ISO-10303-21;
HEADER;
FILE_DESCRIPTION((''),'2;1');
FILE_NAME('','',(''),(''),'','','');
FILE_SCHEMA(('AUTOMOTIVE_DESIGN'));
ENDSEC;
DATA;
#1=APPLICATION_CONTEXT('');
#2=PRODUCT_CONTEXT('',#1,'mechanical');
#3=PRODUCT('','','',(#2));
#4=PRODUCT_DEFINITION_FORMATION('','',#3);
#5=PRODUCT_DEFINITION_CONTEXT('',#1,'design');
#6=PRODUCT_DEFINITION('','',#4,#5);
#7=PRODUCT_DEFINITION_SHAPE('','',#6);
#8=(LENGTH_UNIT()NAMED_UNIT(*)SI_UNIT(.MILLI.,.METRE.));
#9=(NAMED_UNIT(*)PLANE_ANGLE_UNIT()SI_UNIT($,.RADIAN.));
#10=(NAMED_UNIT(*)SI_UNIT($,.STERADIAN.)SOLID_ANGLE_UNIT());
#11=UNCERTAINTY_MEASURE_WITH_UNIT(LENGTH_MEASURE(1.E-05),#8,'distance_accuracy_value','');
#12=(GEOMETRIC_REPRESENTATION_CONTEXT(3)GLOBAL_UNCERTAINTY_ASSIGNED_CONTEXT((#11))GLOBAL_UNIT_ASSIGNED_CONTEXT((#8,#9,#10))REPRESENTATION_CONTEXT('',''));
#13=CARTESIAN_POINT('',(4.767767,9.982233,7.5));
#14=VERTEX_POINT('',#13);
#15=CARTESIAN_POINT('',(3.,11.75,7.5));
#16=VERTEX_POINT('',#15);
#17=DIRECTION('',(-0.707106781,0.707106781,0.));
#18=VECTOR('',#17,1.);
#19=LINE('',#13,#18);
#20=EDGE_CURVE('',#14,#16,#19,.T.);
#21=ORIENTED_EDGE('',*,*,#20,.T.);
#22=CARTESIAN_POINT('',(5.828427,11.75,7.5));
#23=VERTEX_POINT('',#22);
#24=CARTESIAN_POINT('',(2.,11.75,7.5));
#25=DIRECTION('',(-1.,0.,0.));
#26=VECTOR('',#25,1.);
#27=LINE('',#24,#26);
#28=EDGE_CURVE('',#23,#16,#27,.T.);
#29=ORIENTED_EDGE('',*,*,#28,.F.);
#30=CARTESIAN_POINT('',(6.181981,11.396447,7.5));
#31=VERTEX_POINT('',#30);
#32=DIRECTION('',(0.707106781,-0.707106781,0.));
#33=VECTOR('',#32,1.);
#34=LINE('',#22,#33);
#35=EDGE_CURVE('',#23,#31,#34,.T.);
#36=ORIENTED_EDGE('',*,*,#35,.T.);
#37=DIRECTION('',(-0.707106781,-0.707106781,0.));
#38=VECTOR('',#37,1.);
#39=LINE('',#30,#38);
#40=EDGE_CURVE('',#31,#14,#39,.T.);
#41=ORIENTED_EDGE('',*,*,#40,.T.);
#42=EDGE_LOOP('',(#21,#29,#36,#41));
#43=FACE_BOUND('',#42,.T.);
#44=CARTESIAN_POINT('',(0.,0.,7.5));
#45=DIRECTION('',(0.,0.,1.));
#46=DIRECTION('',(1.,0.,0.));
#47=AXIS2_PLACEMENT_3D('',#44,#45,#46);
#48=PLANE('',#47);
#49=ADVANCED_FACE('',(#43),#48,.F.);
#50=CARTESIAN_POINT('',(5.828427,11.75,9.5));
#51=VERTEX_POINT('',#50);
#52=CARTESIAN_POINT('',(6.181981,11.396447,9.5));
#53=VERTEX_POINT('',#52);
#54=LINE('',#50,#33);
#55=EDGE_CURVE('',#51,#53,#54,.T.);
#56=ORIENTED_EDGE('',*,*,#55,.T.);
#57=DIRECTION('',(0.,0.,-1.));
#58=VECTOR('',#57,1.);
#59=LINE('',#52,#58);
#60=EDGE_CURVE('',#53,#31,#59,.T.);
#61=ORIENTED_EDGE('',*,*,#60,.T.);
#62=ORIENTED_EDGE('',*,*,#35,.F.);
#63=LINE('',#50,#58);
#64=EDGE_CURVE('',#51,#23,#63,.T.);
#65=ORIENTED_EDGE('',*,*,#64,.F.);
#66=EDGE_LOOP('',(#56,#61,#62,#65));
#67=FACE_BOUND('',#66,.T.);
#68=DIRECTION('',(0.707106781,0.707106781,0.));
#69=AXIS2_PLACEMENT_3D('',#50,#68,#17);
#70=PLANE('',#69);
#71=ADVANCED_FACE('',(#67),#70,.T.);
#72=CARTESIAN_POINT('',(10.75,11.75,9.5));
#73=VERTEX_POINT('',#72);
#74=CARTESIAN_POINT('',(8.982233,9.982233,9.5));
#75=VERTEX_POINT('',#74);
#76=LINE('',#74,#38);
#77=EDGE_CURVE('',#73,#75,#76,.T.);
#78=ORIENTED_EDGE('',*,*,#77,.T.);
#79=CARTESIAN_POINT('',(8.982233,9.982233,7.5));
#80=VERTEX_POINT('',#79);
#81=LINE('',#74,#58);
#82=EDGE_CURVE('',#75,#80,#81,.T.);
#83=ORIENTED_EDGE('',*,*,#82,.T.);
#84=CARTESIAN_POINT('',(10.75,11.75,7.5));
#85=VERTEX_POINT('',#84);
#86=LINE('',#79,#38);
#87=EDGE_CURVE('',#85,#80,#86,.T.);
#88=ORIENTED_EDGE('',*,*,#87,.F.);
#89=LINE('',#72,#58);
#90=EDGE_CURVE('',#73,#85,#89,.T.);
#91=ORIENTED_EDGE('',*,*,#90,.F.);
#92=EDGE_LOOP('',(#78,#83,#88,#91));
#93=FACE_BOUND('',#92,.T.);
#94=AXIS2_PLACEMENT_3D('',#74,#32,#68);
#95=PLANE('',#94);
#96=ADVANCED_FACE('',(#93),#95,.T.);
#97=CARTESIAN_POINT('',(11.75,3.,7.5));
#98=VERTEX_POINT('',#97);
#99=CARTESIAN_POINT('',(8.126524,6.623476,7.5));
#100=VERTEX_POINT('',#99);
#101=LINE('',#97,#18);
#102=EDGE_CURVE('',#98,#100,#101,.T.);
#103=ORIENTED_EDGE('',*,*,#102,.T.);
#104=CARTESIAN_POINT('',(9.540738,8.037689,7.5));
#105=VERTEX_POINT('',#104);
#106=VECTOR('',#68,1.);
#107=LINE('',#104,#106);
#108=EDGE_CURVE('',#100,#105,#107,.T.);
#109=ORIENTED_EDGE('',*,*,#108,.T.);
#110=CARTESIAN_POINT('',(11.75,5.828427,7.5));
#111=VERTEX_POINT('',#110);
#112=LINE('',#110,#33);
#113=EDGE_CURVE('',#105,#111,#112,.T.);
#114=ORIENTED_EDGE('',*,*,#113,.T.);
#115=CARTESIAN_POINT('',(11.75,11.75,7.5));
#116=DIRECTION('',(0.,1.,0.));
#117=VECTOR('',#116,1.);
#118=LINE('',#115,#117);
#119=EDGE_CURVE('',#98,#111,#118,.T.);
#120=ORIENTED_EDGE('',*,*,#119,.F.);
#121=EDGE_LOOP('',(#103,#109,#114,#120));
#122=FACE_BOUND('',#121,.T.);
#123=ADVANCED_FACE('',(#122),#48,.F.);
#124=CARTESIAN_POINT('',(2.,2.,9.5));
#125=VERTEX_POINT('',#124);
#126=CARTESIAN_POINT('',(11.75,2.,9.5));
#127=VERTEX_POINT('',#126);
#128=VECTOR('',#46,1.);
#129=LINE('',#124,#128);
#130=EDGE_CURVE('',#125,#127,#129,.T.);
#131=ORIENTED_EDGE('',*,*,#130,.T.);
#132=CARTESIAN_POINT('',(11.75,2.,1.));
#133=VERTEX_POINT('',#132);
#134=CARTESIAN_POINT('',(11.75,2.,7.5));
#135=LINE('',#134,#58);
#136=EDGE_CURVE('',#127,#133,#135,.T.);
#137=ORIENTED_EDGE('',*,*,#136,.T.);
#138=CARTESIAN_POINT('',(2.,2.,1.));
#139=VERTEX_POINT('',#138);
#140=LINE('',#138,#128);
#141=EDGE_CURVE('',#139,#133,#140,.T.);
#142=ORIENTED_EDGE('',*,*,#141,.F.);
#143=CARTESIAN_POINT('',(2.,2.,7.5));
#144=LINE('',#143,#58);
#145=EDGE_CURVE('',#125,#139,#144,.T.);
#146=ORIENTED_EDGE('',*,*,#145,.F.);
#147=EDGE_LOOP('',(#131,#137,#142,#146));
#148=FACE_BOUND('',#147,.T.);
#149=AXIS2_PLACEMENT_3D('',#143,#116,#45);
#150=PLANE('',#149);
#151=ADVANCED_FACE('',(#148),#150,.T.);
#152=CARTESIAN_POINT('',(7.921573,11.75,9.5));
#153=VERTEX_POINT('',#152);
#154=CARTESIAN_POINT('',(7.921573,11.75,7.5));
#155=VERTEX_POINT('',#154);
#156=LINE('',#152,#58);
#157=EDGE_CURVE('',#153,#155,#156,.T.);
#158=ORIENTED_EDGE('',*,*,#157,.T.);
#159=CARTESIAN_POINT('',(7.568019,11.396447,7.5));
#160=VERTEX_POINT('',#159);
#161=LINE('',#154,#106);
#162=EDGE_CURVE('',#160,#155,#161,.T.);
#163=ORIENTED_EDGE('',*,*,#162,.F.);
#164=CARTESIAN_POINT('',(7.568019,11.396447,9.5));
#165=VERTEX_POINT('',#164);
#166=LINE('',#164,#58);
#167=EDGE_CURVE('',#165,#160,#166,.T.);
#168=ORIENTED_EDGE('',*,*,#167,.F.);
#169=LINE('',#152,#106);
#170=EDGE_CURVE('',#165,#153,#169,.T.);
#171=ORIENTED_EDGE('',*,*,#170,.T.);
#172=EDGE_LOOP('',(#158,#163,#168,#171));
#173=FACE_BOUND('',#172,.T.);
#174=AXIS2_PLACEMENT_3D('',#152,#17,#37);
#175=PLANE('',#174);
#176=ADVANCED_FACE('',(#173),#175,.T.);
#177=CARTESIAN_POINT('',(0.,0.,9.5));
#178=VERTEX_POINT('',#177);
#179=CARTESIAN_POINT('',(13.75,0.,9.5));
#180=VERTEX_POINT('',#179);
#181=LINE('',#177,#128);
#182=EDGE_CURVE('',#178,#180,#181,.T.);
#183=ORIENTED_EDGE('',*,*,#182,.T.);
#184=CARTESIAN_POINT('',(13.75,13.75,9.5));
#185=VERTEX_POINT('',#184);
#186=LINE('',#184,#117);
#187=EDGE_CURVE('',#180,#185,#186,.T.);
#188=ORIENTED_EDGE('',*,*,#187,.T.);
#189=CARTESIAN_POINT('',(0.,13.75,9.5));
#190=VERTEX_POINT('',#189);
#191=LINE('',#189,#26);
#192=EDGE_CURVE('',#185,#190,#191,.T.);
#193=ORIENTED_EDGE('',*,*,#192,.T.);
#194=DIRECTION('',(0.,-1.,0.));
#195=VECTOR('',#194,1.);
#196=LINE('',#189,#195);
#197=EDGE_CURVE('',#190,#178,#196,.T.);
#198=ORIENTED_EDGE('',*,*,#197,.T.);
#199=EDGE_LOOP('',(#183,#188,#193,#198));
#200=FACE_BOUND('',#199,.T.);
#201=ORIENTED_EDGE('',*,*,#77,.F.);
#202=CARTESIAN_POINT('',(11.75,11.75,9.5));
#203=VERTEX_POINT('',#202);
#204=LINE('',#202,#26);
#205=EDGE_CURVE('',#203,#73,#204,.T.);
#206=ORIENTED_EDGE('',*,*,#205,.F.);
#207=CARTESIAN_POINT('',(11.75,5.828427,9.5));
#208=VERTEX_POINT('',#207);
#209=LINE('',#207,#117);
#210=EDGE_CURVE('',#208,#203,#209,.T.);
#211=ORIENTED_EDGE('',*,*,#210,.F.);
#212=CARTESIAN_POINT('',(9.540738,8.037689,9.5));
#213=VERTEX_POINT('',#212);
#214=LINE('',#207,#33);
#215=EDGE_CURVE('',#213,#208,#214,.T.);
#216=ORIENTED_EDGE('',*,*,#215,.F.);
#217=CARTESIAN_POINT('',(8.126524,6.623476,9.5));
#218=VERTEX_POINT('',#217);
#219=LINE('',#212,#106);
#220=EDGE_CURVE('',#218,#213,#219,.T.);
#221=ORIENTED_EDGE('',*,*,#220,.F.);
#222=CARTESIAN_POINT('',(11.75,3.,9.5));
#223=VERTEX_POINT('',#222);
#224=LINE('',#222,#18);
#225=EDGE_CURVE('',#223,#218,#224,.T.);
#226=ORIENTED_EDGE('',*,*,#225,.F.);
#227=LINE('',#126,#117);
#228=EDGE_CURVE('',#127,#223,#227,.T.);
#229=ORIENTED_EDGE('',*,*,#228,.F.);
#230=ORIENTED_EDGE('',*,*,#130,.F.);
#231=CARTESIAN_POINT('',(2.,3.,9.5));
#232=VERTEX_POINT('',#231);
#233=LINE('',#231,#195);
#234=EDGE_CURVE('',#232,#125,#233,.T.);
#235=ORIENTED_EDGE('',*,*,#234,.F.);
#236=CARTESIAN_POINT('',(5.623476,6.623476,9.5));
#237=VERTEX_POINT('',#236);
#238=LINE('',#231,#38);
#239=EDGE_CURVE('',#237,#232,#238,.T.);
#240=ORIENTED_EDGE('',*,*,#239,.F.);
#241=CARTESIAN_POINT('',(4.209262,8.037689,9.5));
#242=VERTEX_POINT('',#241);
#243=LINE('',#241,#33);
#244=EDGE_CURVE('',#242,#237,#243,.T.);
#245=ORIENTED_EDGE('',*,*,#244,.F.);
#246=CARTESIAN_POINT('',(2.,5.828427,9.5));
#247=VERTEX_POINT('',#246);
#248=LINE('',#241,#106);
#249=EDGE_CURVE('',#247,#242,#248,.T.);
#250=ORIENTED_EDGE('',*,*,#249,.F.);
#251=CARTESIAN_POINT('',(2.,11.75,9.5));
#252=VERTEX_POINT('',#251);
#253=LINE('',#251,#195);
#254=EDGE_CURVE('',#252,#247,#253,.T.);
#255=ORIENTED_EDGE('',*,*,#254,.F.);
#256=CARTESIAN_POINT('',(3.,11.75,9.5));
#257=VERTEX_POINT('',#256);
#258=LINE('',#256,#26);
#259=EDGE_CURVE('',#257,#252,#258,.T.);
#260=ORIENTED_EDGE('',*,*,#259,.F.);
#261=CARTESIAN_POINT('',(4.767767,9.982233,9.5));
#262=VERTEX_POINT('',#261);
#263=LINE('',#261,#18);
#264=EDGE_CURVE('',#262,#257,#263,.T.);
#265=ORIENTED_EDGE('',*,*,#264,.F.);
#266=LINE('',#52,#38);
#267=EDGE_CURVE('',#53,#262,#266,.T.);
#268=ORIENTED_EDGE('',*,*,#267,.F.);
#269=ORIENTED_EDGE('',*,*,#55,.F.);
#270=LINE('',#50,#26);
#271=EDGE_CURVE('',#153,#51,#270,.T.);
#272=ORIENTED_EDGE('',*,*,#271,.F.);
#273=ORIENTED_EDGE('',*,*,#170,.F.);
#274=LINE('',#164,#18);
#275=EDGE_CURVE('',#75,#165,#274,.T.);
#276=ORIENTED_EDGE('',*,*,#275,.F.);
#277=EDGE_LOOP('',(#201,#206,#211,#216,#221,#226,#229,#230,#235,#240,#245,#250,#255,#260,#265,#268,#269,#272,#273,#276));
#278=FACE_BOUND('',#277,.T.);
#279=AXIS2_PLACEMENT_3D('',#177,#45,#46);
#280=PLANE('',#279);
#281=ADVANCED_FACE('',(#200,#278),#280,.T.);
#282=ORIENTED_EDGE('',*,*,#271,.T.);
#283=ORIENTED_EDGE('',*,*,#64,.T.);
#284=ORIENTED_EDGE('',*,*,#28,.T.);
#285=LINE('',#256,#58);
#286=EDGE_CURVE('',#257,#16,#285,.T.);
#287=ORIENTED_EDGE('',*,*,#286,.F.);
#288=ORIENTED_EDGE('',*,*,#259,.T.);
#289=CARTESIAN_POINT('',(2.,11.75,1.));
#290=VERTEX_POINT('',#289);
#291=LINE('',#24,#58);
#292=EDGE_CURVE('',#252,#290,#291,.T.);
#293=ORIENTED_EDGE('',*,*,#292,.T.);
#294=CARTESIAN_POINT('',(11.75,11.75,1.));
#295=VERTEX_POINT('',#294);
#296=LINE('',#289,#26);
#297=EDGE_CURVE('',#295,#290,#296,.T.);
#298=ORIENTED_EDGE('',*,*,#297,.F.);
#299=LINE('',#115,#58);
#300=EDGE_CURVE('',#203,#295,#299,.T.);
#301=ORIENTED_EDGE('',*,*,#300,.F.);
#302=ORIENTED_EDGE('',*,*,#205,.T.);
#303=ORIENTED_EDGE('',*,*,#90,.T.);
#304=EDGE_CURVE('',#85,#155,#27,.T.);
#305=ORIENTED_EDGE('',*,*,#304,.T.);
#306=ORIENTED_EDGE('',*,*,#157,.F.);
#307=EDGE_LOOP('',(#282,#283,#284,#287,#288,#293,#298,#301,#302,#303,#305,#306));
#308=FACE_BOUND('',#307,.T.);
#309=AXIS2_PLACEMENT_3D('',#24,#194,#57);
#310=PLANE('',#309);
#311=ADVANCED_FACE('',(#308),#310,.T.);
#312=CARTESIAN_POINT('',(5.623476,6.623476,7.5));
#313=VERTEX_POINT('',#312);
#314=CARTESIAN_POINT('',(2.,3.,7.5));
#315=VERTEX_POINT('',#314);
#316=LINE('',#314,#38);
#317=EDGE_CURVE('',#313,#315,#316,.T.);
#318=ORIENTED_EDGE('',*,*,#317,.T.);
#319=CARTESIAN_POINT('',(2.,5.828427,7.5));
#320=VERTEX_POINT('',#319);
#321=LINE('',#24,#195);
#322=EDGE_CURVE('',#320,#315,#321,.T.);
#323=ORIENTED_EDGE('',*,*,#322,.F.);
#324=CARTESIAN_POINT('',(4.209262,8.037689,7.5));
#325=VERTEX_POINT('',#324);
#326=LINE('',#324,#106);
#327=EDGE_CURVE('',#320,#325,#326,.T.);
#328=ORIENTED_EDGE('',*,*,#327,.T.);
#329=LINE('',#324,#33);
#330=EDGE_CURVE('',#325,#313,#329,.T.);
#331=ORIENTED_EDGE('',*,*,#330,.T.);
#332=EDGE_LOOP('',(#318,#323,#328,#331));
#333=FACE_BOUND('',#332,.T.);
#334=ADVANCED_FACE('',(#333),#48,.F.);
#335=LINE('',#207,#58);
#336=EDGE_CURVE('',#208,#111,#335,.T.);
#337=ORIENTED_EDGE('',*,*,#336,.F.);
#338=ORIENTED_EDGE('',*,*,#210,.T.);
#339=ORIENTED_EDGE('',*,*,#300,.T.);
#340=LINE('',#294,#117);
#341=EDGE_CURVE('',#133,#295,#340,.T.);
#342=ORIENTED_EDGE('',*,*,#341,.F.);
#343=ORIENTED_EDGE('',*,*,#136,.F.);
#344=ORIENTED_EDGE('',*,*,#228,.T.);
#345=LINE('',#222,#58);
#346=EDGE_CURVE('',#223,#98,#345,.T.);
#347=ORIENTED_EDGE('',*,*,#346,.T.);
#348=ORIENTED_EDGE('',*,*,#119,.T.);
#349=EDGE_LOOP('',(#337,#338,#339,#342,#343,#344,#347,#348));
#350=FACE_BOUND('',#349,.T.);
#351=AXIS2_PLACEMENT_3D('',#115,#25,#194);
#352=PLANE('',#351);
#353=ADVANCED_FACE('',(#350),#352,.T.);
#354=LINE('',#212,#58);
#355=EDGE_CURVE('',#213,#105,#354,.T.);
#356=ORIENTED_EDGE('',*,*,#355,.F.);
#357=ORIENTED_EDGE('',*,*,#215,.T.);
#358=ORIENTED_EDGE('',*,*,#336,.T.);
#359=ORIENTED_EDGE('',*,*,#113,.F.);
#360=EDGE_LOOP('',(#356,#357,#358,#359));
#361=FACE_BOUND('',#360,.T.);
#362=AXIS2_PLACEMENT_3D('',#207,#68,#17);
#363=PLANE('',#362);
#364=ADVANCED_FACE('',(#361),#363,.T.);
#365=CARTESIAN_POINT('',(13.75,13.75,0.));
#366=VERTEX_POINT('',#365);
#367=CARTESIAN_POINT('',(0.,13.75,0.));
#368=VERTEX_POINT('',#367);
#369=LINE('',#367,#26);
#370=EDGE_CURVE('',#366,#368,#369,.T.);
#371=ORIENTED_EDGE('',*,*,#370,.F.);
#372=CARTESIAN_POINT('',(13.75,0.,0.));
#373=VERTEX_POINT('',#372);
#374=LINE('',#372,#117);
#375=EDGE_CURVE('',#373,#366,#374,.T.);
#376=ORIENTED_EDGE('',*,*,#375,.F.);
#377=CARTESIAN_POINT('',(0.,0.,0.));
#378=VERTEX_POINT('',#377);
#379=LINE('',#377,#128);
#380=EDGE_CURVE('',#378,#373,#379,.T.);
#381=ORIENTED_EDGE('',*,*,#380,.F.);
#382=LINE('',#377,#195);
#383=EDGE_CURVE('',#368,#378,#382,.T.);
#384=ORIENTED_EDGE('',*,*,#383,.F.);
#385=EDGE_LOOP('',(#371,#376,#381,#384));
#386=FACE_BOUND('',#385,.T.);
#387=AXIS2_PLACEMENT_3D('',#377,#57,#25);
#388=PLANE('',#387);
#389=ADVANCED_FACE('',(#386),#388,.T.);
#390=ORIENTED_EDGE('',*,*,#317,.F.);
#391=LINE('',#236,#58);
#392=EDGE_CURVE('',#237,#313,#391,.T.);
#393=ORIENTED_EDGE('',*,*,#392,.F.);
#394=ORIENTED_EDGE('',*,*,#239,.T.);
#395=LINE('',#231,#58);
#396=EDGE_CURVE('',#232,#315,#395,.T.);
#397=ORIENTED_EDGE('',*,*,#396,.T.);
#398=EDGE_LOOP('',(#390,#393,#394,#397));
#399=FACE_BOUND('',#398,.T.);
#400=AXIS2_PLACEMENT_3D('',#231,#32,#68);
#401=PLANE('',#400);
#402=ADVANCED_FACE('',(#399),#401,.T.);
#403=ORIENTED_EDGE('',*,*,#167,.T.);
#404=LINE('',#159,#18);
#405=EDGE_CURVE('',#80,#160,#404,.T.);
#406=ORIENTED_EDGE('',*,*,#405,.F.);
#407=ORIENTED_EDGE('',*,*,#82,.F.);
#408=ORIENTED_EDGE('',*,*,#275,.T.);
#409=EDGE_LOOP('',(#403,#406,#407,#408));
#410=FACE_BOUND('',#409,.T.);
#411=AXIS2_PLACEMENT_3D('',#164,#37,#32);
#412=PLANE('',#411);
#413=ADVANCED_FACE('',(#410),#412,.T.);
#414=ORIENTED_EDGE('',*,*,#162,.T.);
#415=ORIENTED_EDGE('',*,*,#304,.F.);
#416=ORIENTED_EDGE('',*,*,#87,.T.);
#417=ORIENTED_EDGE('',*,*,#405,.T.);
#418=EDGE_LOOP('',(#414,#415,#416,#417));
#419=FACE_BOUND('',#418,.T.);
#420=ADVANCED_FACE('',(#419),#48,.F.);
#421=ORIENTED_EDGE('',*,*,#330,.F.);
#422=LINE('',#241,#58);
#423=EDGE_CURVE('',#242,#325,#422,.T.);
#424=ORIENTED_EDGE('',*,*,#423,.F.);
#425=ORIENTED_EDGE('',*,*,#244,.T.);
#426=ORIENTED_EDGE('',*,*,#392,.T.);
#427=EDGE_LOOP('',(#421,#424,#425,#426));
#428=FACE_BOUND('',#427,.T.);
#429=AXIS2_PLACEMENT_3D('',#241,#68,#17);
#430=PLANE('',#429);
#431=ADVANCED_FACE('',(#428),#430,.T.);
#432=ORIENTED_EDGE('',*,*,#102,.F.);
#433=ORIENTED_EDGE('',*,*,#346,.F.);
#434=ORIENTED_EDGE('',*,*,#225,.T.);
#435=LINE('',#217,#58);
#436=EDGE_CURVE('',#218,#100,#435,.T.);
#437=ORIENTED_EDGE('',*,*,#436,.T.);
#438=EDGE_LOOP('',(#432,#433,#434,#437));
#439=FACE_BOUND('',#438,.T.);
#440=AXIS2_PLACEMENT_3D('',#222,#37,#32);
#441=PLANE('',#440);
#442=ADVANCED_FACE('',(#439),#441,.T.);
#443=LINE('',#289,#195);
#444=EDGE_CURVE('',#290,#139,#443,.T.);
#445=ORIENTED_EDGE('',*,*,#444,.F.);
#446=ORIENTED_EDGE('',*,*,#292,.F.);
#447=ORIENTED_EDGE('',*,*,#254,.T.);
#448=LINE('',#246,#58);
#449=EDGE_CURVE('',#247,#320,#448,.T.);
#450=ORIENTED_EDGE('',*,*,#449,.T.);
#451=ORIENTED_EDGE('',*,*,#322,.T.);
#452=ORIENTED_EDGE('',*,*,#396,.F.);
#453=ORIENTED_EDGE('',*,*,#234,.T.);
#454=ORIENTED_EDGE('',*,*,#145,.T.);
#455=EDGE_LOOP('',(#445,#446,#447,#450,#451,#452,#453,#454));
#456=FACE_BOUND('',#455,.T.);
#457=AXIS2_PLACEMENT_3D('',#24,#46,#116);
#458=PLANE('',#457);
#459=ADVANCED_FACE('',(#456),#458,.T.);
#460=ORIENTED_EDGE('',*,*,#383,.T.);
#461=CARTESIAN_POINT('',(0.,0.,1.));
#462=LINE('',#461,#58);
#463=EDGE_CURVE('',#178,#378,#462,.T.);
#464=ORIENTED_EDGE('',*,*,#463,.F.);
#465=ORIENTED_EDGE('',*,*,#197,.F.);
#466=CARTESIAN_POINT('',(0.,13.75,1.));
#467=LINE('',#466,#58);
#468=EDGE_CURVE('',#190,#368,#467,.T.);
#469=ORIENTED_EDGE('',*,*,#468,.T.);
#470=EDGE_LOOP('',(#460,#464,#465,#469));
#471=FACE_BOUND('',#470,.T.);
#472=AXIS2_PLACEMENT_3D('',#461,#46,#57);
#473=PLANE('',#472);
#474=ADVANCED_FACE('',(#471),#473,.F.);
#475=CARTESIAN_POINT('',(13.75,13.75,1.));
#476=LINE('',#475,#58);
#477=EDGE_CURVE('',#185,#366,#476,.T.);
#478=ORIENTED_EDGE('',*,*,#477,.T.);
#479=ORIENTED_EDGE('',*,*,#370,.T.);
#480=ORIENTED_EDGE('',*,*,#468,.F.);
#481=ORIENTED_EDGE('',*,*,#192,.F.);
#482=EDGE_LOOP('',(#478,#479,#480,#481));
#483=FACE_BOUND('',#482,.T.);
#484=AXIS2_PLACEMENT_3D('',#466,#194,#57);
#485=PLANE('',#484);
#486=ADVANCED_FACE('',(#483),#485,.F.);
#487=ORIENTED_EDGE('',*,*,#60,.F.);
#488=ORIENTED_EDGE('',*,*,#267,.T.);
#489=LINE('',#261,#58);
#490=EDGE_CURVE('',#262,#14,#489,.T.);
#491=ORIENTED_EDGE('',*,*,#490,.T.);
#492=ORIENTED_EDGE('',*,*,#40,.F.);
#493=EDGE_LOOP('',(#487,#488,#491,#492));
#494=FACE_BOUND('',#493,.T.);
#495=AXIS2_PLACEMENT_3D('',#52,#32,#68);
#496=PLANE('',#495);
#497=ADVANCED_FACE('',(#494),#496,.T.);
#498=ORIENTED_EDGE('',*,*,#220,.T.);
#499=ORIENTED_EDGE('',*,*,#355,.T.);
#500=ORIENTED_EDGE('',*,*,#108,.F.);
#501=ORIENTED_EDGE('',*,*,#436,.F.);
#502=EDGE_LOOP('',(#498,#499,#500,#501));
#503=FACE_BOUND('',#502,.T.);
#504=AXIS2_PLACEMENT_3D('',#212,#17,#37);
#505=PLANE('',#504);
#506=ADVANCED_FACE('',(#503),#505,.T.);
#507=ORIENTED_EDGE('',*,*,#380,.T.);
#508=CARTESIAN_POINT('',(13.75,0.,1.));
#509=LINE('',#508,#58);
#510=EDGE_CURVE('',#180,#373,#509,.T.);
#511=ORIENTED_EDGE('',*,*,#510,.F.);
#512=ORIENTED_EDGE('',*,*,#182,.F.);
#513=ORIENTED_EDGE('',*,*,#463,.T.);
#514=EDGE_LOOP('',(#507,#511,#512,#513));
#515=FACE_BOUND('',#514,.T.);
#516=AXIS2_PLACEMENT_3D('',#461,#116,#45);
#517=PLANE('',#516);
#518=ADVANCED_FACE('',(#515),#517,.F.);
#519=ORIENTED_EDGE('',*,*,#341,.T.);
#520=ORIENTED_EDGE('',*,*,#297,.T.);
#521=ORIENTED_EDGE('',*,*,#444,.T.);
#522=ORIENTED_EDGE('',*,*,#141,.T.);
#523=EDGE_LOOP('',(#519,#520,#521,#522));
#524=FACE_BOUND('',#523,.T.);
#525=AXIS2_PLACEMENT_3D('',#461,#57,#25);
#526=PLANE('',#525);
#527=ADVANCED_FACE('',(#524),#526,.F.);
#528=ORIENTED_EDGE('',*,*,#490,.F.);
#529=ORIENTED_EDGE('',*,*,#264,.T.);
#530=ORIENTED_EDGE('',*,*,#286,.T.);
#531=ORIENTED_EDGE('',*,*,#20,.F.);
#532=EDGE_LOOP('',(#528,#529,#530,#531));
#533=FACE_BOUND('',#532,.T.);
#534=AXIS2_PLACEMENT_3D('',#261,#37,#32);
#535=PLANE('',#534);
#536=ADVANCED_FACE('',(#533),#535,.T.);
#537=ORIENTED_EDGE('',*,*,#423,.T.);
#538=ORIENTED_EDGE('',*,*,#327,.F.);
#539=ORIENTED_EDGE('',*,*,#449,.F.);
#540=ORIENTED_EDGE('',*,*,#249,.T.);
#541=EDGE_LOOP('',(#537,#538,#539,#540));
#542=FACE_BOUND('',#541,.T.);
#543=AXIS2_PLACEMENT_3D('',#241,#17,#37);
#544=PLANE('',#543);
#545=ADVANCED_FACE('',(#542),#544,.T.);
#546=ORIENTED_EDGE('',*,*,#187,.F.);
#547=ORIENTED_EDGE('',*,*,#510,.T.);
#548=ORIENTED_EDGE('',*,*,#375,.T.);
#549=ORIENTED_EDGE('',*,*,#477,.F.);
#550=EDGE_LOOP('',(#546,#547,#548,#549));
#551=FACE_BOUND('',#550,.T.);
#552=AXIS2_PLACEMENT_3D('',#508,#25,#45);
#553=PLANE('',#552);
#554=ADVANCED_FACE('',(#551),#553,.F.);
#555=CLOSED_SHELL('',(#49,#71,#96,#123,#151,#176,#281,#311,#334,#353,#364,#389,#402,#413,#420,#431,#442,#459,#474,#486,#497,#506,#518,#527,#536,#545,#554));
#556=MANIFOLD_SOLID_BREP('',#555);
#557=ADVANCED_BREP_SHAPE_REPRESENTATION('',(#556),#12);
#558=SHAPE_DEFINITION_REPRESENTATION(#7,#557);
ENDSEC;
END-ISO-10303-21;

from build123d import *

# Parameters (mm, degrees)
SKETCH1_W               = 13.75
SKETCH1_H               = 13.75
BASEBOSS_EXTRUDE1_DEPTH = 1
WALLSSKETCH2_W          = 13.75
WALLSSKETCH2_H          = 13.75
WALLSSKETCH2_W_2        = 9.75
WALLSSKETCH2_H_2        = 9.75
BOSS_EXTRUDE2_DEPTH     = 6.5
SKETCH3_W               = 13.75
SKETCH3_H               = 13.75
BOSS_EXTRUDE3_DEPTH     = 2


with BuildPart() as part:
    # Sketch1 → BaseBoss-Extrude1 (new body)
    with BuildSketch(Plane.XY):
        with Locations((6.875, 6.875)):
            Rectangle(SKETCH1_W, SKETCH1_H)
    extrude(amount=BASEBOSS_EXTRUDE1_DEPTH)

    # WallsSketch2 → Boss-Extrude2 (add)
    with BuildSketch(Plane.XY.offset(1)):
        with Locations((6.875, 6.875)):
            Rectangle(WALLSSKETCH2_W, WALLSSKETCH2_H)
        with Locations((6.875, 6.875)):
            Rectangle(WALLSSKETCH2_W_2, WALLSSKETCH2_H_2, mode=Mode.SUBTRACT)
    extrude(amount=BOSS_EXTRUDE2_DEPTH)

    # Sketch3 → Boss-Extrude3 (add)
    with BuildSketch(Plane.XY.offset(7.5)):
        with Locations((6.875, 6.875)):
            Rectangle(SKETCH3_W, SKETCH3_H)
        Polygon((2, 3), (5.623475836, 6.623475836), (4.209262274, 8.037689399), (2, 5.828427125), (2, 11.75), (3, 11.75), (4.767766953, 9.982233047), (6.181980515, 11.396446609), (5.828427125, 11.75), (7.921572875, 11.75), (7.568019485, 11.396446609), (8.982233047, 9.982233047), (10.75, 11.75), (11.75, 11.75), (11.75, 5.828427125), (9.540737726, 8.037689399), (8.126524164, 6.623475836), (11.75, 3), (11.75, 2), (2, 2), align=None, mode=Mode.SUBTRACT)
    extrude(amount=BOSS_EXTRUDE3_DEPTH)


solid = part.part
